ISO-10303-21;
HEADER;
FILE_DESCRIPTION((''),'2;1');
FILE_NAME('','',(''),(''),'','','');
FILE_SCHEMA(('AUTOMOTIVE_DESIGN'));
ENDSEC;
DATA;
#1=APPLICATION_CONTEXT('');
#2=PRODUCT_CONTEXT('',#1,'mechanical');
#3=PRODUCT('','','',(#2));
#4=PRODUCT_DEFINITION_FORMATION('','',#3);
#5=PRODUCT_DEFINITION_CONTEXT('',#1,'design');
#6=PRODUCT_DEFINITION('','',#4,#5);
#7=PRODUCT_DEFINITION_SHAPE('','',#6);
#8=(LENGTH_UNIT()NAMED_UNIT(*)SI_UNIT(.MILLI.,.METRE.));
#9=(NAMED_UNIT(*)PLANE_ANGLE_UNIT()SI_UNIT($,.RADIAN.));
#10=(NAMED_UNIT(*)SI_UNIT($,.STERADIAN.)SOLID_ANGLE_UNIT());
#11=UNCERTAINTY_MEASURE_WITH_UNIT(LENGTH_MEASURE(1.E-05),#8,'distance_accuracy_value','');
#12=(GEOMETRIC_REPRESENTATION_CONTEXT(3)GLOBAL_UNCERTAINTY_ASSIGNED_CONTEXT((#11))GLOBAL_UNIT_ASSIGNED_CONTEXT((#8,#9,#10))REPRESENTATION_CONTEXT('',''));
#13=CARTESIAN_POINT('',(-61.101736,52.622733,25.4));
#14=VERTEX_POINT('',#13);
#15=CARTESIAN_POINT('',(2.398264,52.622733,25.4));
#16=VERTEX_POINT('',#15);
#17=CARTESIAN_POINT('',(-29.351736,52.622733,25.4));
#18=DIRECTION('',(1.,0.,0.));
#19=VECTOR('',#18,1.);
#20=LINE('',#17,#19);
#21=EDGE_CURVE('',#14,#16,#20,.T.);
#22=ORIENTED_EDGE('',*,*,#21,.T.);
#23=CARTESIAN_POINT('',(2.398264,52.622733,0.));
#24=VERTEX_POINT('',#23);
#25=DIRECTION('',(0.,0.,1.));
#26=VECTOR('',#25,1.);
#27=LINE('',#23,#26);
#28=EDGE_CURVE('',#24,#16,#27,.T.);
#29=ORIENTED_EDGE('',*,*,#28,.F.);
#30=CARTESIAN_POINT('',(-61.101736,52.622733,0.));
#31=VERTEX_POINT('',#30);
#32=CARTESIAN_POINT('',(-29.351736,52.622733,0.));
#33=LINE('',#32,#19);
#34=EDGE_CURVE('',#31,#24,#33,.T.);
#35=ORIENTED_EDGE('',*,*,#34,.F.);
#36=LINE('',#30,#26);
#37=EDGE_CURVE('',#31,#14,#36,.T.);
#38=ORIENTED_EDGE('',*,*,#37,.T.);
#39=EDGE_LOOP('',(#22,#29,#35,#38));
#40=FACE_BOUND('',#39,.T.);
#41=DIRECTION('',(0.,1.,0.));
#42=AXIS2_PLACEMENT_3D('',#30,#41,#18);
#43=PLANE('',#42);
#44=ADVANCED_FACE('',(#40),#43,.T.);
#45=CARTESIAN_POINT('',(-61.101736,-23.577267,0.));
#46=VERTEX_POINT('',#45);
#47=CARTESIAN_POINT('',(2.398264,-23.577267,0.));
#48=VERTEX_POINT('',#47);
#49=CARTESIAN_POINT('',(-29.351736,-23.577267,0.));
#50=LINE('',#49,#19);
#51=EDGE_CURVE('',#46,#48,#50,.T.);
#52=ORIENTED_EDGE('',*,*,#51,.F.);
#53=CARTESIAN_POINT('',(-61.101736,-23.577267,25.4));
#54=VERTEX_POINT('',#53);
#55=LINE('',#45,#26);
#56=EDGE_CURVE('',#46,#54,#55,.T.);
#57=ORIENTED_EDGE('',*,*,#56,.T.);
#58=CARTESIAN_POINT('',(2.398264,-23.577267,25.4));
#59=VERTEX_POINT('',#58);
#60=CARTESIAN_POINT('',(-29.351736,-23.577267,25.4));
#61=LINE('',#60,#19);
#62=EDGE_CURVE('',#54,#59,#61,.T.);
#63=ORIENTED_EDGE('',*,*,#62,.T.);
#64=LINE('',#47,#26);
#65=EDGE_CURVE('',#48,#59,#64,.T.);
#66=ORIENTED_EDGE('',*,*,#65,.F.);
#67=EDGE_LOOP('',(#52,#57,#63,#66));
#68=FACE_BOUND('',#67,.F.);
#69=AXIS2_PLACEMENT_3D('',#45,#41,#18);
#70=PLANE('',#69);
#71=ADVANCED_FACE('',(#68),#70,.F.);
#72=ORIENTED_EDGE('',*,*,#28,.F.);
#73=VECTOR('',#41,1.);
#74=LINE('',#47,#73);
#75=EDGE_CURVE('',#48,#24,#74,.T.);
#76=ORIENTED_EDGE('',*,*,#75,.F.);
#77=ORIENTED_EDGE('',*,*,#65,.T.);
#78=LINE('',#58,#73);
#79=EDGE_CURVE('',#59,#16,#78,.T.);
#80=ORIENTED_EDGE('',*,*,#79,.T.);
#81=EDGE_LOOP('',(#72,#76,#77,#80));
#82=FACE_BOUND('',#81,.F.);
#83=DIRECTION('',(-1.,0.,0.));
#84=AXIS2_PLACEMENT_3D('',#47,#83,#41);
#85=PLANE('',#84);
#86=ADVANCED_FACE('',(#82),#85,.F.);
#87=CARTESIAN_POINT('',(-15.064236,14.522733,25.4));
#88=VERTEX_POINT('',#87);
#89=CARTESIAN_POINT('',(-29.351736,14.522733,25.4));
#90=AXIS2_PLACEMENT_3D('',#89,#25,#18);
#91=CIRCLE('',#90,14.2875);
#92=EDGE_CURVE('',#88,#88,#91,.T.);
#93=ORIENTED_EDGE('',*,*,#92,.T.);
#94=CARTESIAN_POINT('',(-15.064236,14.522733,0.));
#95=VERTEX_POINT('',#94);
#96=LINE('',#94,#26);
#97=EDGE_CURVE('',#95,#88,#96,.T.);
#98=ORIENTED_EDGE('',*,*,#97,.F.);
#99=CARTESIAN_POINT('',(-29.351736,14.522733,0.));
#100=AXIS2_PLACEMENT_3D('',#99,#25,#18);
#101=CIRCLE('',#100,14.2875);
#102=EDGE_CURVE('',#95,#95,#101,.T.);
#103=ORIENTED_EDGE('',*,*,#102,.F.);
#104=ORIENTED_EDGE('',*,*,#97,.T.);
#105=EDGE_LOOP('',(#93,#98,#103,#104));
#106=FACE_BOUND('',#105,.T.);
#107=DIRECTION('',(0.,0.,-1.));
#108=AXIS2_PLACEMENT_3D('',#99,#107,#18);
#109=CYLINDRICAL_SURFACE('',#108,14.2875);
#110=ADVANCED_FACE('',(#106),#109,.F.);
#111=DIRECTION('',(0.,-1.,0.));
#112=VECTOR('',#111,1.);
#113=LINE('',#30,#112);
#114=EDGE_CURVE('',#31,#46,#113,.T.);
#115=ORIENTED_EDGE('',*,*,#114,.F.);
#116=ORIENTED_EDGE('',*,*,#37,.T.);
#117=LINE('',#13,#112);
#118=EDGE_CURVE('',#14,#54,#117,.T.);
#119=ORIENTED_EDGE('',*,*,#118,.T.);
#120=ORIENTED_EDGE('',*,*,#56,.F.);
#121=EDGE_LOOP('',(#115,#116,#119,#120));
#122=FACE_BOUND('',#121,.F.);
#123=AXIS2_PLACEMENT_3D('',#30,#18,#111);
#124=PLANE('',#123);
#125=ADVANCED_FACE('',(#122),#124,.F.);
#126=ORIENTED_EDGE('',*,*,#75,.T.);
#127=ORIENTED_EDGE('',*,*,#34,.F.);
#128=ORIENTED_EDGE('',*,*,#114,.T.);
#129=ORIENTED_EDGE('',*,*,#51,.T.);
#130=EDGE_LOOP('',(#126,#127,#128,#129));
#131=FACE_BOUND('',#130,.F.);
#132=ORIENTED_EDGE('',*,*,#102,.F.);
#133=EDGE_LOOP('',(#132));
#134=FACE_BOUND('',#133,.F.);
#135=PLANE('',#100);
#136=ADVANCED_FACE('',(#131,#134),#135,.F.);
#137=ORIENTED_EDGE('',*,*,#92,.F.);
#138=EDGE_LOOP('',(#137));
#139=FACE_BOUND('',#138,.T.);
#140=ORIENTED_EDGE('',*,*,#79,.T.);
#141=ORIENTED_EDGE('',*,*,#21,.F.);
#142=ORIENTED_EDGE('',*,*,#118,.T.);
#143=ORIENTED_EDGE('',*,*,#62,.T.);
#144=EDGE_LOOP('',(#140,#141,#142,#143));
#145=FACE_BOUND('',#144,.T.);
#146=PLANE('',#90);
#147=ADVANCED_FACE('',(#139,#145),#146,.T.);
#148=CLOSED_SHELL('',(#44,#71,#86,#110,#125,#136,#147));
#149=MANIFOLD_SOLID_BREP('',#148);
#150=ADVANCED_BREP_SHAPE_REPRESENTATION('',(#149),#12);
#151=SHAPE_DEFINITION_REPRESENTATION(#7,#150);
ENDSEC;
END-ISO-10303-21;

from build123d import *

# Parameters (mm, degrees)
F0_W     = 63.5
F0_H     = 57.15
F0_R     = 14.2875
F0_H_2   = 9.525
F1_DEPTH = 25.4


with BuildPart() as f1:
    # F0 (on Top) → F1 (new body)
    with BuildSketch(Plane.XY):
        with Locations((-29.351736, 14.522733)):
            Rectangle(F0_W, F0_H)
        with Locations((-29.351736, 14.522733)):
            Circle(F0_R, mode=Mode.SUBTRACT)
        with Locations((-29.351736, 47.860233)):
            Rectangle(F0_W, F0_H_2)
        with Locations((-29.351736, -18.814767)):
            Rectangle(F0_W, F0_H_2)
    extrude(amount=F1_DEPTH)


solid = f1.part
